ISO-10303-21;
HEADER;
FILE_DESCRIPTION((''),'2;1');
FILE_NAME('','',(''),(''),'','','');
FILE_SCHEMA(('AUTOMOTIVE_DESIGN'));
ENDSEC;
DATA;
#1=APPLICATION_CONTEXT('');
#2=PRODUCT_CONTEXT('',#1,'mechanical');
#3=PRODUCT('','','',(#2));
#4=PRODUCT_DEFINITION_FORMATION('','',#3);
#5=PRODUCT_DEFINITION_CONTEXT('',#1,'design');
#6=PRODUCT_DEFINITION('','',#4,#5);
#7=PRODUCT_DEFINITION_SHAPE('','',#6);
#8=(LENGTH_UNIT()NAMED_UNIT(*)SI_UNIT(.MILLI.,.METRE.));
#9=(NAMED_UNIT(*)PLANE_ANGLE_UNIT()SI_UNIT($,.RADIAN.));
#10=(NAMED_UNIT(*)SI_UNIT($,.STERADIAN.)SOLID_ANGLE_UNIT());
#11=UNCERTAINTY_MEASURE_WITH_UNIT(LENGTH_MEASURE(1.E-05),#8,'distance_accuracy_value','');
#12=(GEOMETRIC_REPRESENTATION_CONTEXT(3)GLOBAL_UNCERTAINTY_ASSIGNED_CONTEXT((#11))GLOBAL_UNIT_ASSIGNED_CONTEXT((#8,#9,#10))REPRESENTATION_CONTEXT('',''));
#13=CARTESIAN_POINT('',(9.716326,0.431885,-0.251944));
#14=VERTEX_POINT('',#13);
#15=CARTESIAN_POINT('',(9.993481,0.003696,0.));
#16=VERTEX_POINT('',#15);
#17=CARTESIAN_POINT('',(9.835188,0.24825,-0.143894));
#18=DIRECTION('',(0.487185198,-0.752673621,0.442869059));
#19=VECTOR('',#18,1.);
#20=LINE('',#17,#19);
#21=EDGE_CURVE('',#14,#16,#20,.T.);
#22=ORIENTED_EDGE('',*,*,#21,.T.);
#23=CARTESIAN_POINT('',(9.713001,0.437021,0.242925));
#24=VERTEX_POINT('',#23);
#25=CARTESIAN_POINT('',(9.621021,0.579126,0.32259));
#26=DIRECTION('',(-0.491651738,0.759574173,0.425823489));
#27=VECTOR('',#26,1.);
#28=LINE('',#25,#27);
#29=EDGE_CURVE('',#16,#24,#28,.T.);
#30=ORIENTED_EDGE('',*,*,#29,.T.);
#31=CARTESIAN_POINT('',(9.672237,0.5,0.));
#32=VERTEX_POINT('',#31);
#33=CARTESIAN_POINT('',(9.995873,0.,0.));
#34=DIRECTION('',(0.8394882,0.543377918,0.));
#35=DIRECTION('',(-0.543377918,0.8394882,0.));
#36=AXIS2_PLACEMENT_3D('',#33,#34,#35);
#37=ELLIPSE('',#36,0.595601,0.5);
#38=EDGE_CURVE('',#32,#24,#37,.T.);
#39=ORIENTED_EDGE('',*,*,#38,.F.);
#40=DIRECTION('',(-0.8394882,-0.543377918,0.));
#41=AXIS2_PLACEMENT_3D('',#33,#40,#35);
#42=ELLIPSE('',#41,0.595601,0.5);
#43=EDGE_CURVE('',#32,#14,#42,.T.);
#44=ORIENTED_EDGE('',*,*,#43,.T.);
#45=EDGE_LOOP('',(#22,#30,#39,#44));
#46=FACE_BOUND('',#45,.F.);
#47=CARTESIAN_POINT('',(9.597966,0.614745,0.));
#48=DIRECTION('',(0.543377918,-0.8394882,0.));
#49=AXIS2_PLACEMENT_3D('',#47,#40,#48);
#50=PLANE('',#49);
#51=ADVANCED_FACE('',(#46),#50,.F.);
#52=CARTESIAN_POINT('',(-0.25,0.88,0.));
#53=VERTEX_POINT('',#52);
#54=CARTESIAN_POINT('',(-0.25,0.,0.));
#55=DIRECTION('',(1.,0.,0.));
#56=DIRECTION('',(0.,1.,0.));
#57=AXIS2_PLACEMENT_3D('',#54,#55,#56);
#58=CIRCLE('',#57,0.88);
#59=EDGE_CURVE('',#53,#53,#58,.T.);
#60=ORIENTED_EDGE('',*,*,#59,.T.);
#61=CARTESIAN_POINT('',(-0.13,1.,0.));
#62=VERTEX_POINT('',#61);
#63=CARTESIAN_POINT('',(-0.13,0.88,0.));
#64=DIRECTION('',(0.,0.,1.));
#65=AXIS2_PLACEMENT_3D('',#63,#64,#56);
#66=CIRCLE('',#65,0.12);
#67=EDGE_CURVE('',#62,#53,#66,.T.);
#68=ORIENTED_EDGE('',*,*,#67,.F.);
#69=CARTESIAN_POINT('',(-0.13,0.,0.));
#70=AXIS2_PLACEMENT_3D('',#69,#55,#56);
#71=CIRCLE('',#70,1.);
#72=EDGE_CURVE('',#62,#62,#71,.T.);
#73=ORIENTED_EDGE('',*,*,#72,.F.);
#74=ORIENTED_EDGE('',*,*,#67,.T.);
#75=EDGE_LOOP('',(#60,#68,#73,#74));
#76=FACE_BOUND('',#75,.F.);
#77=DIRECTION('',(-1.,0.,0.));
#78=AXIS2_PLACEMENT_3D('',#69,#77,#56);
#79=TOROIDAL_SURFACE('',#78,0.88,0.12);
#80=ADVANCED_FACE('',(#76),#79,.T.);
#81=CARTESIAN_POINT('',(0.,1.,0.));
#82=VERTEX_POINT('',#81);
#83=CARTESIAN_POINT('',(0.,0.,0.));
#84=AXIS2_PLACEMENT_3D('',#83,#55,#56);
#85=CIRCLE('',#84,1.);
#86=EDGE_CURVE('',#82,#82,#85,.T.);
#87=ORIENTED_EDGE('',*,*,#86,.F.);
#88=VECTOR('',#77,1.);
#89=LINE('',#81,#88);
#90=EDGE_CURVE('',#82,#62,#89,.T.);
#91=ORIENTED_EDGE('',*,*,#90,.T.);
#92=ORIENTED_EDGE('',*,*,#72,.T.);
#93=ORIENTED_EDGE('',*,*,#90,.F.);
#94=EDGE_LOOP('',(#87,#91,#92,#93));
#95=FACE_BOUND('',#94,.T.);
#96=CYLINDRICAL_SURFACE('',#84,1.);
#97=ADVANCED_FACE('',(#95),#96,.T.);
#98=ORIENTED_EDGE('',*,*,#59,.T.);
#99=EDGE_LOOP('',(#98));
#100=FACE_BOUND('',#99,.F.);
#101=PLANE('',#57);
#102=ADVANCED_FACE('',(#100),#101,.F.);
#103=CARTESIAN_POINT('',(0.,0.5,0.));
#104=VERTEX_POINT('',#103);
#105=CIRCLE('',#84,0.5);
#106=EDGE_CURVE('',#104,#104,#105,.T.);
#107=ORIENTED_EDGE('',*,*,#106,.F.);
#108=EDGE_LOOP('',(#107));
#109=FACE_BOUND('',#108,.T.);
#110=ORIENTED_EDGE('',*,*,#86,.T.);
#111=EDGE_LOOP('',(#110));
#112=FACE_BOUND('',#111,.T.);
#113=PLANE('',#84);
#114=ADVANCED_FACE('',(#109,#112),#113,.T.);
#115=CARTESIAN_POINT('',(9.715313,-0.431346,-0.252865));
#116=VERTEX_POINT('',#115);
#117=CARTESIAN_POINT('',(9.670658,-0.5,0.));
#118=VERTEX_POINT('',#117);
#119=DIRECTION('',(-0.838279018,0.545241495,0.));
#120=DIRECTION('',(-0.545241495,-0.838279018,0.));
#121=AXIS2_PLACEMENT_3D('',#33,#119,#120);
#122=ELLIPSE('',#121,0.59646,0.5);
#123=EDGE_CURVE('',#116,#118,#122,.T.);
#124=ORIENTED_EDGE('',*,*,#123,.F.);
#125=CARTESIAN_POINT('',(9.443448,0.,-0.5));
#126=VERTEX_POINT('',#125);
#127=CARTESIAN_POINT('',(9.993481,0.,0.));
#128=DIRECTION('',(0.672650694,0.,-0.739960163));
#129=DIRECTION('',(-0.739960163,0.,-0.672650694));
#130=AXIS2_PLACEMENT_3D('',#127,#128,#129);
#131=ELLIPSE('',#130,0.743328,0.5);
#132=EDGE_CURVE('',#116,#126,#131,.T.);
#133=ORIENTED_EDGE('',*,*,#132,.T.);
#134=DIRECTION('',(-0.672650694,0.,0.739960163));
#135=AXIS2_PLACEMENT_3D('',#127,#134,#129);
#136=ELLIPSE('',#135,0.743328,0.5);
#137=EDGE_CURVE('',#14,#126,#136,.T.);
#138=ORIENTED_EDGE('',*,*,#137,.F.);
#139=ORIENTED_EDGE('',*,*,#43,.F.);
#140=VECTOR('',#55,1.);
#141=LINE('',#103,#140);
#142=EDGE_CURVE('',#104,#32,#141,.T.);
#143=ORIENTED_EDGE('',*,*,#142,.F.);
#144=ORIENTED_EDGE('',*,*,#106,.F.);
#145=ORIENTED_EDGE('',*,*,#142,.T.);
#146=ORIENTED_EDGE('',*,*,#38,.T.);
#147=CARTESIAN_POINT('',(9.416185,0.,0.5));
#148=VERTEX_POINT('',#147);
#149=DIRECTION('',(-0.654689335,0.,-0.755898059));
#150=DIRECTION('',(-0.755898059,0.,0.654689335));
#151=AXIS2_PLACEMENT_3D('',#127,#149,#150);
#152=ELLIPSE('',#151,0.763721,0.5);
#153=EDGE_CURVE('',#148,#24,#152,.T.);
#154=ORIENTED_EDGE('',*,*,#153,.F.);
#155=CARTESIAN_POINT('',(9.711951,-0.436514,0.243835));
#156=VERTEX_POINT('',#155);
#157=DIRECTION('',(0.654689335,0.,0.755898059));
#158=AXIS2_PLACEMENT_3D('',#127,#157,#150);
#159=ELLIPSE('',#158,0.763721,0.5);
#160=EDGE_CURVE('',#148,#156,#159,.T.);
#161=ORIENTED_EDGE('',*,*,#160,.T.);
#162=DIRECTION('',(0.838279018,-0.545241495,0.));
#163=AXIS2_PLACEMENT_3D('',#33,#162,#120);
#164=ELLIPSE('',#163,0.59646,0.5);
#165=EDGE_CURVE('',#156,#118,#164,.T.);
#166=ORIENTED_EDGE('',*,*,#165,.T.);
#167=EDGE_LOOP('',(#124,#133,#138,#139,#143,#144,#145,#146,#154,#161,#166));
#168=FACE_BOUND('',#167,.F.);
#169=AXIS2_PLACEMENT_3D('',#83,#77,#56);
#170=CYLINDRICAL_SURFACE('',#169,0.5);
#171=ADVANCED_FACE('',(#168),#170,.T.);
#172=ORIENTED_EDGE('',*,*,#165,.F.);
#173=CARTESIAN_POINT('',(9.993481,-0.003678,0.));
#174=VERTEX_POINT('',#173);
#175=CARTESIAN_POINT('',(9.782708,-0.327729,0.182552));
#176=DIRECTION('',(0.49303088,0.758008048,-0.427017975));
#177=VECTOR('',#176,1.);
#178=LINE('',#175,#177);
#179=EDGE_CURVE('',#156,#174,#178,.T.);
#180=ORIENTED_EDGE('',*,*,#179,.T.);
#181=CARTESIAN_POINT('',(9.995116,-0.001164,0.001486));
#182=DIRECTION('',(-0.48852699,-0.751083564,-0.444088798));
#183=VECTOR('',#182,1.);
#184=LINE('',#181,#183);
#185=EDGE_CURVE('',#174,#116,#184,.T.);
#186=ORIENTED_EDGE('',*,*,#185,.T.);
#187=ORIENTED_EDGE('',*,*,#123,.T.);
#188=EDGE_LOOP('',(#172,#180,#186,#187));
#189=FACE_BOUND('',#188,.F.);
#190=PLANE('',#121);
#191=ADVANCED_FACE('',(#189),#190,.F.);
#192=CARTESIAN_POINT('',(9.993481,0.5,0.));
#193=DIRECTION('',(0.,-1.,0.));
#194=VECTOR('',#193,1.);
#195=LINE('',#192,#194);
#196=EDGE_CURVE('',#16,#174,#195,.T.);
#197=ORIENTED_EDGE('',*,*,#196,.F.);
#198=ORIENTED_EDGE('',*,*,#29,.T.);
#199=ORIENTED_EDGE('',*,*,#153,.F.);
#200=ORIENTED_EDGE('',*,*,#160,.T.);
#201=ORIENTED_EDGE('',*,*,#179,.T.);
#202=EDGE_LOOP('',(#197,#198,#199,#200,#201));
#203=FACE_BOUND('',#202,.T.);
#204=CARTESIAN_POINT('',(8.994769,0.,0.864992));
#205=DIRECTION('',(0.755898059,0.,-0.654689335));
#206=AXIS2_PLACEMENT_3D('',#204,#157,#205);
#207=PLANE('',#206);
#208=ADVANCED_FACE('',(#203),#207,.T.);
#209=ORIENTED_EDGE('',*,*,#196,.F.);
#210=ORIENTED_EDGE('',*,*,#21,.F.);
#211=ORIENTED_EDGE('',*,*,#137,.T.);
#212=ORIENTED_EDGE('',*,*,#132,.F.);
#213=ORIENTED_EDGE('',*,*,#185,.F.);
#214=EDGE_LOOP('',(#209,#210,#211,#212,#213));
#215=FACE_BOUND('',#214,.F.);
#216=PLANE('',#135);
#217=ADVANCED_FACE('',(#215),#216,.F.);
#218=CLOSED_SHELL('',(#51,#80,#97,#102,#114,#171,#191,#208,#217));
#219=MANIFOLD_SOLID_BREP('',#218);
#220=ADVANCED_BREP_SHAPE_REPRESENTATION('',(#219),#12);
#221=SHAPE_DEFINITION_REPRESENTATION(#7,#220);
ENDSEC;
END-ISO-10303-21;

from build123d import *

# Parameters (mm, degrees)
F0_R          = 0.5
F1_DEPTH      = 10
F0_R_2        = 1
F2_DEPTH      = 0.25
F3_R          = 0.12
F5_DEPTH      = 5
F5_DEPTH_BACK = 5
F7_DEPTH      = 25
F7_DEPTH_BACK = 25


with BuildPart() as f1:
    # F0 (on Right) → F1 (new body)
    with BuildSketch(Plane.YZ):
        Circle(F0_R)
    extrude(amount=F1_DEPTH)

    # F0 (on Right) → F2 (join)
    with BuildSketch(Plane.YZ):
        Circle(F0_R_2)
        Circle(F0_R, mode=Mode.SUBTRACT)
        Circle(F0_R)
    extrude(amount=-F2_DEPTH)

    # F3
    f3_edges = [f1.edges().sort_by_distance(p)[0] for p in [
        (-0.25, -1, 0),
    ]]
    fillet(f3_edges, radius=F3_R)

    # F4 (on Front) → F5 (cut, two sides)
    with BuildSketch(Plane.XZ) as f5_sk:
        Polygon((8.994769305, 0.8649917436), (9.9934805185, 0), (9.1212727129, -0.79286861), (10.6126805767, -1.0325592011), (10.7525009662, 0.9182563517), align=None)
    extrude(amount=F5_DEPTH, mode=Mode.SUBTRACT)
    extrude(f5_sk.sketch, amount=-F5_DEPTH_BACK, mode=Mode.SUBTRACT)

    # F6 (on Top) → F7 (cut, two sides)
    with BuildSketch(Plane.XY) as f7_sk:
        Polygon((10.3356074542, 0.6147447275), (9.5979655161, 0.6147447275), (9.9958730862, 0), (9.5723690465, -0.6511143292), (10.3356074542, -0.6511143292), align=None)
    extrude(amount=F7_DEPTH, mode=Mode.SUBTRACT)
    extrude(f7_sk.sketch, amount=-F7_DEPTH_BACK, mode=Mode.SUBTRACT)


solid = f1.part
